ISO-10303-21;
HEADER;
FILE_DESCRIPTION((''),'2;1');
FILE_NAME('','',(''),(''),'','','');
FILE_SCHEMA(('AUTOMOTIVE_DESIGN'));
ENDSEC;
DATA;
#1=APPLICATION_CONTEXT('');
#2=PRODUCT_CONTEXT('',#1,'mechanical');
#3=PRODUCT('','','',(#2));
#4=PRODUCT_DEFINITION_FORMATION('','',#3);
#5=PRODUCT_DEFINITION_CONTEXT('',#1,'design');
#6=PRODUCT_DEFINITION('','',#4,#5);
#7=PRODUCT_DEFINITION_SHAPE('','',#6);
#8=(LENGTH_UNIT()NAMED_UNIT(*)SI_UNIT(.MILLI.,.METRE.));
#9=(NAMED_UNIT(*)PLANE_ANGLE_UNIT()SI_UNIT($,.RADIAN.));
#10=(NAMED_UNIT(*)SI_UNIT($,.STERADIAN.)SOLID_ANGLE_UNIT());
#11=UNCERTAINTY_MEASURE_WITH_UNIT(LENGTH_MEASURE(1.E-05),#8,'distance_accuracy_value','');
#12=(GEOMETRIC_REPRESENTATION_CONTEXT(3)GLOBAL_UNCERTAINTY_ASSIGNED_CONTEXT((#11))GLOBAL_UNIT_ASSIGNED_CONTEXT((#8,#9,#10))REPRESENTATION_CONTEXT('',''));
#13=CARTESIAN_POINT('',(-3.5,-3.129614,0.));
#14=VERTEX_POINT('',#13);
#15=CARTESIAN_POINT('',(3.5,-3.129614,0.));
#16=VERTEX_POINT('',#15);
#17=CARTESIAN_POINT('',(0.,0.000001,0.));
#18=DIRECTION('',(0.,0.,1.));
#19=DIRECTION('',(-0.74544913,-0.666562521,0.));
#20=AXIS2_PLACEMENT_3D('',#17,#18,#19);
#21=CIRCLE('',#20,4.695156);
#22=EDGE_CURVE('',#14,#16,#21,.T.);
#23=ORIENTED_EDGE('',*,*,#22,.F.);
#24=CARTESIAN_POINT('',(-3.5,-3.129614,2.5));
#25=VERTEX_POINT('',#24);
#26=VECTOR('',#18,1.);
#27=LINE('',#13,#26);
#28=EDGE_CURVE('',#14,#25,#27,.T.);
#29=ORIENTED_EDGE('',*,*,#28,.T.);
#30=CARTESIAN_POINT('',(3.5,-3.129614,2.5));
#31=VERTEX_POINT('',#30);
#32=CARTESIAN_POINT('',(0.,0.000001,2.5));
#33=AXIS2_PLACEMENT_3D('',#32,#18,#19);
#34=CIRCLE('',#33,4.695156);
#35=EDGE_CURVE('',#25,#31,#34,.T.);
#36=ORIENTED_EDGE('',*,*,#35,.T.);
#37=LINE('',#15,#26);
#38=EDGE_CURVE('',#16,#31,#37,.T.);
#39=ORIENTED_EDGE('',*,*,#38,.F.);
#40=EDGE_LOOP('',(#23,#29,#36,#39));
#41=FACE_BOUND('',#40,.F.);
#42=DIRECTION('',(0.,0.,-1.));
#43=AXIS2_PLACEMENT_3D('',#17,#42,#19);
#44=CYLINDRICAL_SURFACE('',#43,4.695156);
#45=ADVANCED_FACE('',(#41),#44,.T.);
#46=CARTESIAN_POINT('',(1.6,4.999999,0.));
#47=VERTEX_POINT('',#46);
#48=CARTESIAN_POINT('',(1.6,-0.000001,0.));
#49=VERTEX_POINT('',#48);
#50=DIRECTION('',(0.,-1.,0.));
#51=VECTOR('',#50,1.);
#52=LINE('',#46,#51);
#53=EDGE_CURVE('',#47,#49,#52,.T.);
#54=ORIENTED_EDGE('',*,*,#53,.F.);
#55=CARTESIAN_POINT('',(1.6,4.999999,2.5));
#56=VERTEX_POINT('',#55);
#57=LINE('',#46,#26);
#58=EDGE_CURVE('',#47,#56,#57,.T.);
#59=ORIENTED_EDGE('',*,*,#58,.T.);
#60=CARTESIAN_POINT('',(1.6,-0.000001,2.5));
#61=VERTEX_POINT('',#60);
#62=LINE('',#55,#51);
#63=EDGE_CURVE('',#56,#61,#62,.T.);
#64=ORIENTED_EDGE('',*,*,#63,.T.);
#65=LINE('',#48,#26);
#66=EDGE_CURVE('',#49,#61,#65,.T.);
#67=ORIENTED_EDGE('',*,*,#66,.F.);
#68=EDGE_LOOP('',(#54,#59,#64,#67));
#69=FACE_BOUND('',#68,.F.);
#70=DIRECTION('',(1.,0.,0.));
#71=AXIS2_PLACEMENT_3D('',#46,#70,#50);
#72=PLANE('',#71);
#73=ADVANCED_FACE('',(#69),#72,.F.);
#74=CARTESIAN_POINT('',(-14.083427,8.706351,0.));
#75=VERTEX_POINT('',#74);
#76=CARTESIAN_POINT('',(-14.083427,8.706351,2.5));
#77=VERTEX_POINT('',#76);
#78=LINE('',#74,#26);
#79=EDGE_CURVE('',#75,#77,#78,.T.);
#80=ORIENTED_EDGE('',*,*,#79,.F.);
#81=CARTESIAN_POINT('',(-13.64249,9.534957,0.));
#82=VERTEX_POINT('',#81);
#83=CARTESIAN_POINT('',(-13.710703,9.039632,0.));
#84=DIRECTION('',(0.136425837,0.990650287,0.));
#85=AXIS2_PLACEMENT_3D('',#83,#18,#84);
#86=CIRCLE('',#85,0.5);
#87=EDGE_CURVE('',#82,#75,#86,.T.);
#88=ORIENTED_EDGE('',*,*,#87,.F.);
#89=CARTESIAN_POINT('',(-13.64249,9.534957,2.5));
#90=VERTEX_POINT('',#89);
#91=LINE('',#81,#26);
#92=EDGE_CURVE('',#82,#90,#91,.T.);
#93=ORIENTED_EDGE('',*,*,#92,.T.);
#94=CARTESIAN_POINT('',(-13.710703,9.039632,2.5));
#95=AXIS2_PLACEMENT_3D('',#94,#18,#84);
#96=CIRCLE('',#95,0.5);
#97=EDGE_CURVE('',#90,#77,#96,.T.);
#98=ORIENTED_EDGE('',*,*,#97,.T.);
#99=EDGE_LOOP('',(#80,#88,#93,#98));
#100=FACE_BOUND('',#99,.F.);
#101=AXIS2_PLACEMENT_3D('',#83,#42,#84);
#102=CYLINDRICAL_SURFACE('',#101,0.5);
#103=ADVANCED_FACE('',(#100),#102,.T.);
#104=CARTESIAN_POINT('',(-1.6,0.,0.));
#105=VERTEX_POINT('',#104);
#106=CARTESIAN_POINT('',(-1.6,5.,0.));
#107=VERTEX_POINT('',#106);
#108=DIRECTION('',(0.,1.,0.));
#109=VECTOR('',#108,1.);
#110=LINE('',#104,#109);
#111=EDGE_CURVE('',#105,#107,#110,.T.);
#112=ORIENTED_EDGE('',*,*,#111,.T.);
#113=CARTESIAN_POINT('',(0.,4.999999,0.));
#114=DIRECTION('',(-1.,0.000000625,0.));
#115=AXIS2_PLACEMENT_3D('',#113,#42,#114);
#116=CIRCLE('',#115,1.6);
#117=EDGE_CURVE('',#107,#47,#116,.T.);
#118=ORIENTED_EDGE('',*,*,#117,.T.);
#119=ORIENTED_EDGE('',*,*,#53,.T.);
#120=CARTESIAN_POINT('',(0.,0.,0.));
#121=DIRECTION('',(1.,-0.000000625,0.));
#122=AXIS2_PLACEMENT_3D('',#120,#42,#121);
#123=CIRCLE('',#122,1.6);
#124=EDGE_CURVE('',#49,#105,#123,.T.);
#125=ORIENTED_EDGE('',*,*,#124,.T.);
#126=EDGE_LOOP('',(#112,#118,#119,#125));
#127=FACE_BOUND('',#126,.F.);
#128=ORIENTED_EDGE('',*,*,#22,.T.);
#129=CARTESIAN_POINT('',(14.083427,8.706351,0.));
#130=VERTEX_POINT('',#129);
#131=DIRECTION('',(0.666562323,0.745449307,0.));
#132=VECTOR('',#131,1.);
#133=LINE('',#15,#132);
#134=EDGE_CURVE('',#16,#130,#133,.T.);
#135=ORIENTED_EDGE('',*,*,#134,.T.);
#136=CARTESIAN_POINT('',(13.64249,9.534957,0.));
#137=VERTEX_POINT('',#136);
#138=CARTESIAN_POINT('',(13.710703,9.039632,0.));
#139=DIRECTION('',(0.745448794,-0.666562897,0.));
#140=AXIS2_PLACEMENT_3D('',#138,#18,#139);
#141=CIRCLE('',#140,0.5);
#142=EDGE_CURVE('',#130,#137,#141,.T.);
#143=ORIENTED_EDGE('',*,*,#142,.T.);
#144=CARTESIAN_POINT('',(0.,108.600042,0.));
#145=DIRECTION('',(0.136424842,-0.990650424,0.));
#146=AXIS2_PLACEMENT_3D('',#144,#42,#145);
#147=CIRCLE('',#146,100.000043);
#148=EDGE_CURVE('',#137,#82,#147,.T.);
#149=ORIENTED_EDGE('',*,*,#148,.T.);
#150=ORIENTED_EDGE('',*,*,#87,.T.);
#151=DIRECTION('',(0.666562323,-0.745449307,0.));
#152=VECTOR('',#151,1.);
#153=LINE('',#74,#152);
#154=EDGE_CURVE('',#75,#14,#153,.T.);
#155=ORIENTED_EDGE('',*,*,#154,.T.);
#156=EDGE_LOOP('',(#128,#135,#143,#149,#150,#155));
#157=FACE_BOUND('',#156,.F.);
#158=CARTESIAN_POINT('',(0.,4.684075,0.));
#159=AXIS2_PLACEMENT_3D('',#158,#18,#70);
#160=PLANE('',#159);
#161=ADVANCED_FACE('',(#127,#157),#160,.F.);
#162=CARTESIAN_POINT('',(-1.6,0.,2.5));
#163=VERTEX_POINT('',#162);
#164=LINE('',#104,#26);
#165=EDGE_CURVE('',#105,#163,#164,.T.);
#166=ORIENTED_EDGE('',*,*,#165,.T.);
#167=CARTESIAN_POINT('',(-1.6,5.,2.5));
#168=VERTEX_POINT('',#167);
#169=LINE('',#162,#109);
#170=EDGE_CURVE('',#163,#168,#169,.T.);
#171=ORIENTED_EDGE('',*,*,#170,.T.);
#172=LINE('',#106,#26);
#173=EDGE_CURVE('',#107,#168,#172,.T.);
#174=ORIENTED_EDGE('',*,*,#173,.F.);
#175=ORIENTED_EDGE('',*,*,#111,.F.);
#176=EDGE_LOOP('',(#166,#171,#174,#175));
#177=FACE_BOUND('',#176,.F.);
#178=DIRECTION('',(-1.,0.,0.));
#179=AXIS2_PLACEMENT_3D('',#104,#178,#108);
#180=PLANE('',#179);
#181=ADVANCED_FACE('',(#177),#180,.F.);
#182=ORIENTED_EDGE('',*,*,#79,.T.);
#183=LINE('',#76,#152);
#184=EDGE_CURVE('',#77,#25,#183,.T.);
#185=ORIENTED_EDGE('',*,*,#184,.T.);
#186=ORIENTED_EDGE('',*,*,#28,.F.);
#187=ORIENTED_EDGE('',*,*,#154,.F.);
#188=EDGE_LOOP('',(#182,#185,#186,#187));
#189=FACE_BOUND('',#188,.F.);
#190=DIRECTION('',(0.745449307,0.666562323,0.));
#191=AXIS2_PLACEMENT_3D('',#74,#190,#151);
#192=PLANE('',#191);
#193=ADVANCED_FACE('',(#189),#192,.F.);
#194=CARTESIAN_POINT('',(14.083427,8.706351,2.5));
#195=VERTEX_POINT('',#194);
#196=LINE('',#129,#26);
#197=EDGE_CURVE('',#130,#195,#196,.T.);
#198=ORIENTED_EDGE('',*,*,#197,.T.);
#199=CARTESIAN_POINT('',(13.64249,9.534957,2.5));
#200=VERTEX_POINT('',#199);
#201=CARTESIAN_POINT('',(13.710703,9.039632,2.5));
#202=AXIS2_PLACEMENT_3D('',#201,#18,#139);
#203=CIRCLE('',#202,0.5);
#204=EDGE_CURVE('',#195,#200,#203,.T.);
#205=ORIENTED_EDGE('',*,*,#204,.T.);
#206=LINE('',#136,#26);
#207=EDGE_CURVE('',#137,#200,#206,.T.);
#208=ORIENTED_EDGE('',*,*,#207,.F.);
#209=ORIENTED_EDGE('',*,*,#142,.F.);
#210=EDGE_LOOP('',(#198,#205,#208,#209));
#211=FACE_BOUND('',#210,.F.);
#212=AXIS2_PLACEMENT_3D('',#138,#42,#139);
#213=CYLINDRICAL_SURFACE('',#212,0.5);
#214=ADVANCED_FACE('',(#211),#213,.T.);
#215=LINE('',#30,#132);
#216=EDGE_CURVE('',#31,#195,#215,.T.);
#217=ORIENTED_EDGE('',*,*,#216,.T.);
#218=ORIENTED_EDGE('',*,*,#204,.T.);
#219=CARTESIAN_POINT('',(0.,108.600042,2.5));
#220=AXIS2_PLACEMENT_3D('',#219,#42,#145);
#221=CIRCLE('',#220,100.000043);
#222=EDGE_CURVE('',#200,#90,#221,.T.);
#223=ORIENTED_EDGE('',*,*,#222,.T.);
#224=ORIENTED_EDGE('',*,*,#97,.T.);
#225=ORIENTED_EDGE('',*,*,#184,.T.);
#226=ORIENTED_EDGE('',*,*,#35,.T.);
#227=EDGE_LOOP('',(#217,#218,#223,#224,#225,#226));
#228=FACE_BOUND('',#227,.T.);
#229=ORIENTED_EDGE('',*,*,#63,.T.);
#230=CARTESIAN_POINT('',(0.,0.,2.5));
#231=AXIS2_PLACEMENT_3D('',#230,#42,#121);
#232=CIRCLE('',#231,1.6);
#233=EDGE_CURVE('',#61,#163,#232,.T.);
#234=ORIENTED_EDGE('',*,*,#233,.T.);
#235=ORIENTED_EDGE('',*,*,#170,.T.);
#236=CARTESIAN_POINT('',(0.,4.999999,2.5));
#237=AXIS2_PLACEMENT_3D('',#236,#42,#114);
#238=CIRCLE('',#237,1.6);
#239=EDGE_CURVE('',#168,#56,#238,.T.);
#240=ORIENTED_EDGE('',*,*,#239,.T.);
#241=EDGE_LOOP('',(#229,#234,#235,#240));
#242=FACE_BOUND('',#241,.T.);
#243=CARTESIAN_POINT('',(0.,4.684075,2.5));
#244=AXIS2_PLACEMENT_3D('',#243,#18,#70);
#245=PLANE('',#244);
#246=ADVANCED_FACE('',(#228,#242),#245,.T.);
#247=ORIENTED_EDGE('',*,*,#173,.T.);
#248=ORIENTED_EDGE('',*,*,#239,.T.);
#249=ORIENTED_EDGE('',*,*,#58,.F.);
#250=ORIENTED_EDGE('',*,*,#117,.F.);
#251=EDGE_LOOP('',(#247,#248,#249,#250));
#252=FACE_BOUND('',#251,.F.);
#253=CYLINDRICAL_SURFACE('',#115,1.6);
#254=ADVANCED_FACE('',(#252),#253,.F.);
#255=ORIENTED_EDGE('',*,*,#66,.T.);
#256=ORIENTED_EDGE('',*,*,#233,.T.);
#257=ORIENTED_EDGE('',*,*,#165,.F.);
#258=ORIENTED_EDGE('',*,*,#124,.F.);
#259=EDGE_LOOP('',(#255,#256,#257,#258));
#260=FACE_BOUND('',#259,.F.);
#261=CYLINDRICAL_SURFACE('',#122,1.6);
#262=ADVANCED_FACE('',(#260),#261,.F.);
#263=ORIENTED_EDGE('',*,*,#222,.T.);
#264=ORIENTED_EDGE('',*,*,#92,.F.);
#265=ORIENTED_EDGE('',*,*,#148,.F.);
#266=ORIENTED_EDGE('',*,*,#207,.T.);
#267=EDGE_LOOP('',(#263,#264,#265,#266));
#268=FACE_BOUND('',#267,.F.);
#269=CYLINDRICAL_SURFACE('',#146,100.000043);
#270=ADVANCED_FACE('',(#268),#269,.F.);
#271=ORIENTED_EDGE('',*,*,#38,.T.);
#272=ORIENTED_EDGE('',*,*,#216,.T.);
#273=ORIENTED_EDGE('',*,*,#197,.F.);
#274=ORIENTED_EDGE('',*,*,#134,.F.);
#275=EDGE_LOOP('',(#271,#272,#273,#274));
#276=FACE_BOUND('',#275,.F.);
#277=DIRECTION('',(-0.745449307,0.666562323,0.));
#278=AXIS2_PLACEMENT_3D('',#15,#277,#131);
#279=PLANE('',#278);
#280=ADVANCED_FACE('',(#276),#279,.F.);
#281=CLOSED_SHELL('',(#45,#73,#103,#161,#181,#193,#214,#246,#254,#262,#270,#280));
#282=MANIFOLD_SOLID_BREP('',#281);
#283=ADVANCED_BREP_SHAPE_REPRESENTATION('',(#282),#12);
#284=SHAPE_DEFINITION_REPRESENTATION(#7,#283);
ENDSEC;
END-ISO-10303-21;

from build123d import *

# Parameters (mm, degrees)
F1_DEPTH = 2.5


with BuildPart() as f1:
    # F0 (on Top) → F1 (new body)
    with BuildSketch(Plane.XY):
        with BuildLine():
            ThreePointArc((13.64249, 9.534957), (0, 8.599999), (-13.64249, 9.534957))
            ThreePointArc((-13.64249, 9.534957), (-14.152097, 9.274517), (-14.083427, 8.706351))
            Line((-14.083427, 8.706351), (-3.5, -3.129614))
            ThreePointArc((-3.5, -3.129614), (0, -4.695155), (3.5, -3.129614))
            Line((3.5, -3.129614), (14.083427, 8.706351))
            ThreePointArc((14.083427, 8.706351), (14.152097, 9.274517), (13.64249, 9.534957))
        make_face()
        with BuildLine():
            ThreePointArc((-1.6, 5), (1e-06, 6.599999), (1.6, 4.999999))
            Line((1.6, 4.999999), (1.6, -1e-06))
            ThreePointArc((1.6, -1e-06), (-1e-06, -1.6), (-1.6, 0))
            Line((-1.6, 0), (-1.6, 5))
        make_face(mode=Mode.SUBTRACT)
    extrude(amount=F1_DEPTH)


solid = f1.part
